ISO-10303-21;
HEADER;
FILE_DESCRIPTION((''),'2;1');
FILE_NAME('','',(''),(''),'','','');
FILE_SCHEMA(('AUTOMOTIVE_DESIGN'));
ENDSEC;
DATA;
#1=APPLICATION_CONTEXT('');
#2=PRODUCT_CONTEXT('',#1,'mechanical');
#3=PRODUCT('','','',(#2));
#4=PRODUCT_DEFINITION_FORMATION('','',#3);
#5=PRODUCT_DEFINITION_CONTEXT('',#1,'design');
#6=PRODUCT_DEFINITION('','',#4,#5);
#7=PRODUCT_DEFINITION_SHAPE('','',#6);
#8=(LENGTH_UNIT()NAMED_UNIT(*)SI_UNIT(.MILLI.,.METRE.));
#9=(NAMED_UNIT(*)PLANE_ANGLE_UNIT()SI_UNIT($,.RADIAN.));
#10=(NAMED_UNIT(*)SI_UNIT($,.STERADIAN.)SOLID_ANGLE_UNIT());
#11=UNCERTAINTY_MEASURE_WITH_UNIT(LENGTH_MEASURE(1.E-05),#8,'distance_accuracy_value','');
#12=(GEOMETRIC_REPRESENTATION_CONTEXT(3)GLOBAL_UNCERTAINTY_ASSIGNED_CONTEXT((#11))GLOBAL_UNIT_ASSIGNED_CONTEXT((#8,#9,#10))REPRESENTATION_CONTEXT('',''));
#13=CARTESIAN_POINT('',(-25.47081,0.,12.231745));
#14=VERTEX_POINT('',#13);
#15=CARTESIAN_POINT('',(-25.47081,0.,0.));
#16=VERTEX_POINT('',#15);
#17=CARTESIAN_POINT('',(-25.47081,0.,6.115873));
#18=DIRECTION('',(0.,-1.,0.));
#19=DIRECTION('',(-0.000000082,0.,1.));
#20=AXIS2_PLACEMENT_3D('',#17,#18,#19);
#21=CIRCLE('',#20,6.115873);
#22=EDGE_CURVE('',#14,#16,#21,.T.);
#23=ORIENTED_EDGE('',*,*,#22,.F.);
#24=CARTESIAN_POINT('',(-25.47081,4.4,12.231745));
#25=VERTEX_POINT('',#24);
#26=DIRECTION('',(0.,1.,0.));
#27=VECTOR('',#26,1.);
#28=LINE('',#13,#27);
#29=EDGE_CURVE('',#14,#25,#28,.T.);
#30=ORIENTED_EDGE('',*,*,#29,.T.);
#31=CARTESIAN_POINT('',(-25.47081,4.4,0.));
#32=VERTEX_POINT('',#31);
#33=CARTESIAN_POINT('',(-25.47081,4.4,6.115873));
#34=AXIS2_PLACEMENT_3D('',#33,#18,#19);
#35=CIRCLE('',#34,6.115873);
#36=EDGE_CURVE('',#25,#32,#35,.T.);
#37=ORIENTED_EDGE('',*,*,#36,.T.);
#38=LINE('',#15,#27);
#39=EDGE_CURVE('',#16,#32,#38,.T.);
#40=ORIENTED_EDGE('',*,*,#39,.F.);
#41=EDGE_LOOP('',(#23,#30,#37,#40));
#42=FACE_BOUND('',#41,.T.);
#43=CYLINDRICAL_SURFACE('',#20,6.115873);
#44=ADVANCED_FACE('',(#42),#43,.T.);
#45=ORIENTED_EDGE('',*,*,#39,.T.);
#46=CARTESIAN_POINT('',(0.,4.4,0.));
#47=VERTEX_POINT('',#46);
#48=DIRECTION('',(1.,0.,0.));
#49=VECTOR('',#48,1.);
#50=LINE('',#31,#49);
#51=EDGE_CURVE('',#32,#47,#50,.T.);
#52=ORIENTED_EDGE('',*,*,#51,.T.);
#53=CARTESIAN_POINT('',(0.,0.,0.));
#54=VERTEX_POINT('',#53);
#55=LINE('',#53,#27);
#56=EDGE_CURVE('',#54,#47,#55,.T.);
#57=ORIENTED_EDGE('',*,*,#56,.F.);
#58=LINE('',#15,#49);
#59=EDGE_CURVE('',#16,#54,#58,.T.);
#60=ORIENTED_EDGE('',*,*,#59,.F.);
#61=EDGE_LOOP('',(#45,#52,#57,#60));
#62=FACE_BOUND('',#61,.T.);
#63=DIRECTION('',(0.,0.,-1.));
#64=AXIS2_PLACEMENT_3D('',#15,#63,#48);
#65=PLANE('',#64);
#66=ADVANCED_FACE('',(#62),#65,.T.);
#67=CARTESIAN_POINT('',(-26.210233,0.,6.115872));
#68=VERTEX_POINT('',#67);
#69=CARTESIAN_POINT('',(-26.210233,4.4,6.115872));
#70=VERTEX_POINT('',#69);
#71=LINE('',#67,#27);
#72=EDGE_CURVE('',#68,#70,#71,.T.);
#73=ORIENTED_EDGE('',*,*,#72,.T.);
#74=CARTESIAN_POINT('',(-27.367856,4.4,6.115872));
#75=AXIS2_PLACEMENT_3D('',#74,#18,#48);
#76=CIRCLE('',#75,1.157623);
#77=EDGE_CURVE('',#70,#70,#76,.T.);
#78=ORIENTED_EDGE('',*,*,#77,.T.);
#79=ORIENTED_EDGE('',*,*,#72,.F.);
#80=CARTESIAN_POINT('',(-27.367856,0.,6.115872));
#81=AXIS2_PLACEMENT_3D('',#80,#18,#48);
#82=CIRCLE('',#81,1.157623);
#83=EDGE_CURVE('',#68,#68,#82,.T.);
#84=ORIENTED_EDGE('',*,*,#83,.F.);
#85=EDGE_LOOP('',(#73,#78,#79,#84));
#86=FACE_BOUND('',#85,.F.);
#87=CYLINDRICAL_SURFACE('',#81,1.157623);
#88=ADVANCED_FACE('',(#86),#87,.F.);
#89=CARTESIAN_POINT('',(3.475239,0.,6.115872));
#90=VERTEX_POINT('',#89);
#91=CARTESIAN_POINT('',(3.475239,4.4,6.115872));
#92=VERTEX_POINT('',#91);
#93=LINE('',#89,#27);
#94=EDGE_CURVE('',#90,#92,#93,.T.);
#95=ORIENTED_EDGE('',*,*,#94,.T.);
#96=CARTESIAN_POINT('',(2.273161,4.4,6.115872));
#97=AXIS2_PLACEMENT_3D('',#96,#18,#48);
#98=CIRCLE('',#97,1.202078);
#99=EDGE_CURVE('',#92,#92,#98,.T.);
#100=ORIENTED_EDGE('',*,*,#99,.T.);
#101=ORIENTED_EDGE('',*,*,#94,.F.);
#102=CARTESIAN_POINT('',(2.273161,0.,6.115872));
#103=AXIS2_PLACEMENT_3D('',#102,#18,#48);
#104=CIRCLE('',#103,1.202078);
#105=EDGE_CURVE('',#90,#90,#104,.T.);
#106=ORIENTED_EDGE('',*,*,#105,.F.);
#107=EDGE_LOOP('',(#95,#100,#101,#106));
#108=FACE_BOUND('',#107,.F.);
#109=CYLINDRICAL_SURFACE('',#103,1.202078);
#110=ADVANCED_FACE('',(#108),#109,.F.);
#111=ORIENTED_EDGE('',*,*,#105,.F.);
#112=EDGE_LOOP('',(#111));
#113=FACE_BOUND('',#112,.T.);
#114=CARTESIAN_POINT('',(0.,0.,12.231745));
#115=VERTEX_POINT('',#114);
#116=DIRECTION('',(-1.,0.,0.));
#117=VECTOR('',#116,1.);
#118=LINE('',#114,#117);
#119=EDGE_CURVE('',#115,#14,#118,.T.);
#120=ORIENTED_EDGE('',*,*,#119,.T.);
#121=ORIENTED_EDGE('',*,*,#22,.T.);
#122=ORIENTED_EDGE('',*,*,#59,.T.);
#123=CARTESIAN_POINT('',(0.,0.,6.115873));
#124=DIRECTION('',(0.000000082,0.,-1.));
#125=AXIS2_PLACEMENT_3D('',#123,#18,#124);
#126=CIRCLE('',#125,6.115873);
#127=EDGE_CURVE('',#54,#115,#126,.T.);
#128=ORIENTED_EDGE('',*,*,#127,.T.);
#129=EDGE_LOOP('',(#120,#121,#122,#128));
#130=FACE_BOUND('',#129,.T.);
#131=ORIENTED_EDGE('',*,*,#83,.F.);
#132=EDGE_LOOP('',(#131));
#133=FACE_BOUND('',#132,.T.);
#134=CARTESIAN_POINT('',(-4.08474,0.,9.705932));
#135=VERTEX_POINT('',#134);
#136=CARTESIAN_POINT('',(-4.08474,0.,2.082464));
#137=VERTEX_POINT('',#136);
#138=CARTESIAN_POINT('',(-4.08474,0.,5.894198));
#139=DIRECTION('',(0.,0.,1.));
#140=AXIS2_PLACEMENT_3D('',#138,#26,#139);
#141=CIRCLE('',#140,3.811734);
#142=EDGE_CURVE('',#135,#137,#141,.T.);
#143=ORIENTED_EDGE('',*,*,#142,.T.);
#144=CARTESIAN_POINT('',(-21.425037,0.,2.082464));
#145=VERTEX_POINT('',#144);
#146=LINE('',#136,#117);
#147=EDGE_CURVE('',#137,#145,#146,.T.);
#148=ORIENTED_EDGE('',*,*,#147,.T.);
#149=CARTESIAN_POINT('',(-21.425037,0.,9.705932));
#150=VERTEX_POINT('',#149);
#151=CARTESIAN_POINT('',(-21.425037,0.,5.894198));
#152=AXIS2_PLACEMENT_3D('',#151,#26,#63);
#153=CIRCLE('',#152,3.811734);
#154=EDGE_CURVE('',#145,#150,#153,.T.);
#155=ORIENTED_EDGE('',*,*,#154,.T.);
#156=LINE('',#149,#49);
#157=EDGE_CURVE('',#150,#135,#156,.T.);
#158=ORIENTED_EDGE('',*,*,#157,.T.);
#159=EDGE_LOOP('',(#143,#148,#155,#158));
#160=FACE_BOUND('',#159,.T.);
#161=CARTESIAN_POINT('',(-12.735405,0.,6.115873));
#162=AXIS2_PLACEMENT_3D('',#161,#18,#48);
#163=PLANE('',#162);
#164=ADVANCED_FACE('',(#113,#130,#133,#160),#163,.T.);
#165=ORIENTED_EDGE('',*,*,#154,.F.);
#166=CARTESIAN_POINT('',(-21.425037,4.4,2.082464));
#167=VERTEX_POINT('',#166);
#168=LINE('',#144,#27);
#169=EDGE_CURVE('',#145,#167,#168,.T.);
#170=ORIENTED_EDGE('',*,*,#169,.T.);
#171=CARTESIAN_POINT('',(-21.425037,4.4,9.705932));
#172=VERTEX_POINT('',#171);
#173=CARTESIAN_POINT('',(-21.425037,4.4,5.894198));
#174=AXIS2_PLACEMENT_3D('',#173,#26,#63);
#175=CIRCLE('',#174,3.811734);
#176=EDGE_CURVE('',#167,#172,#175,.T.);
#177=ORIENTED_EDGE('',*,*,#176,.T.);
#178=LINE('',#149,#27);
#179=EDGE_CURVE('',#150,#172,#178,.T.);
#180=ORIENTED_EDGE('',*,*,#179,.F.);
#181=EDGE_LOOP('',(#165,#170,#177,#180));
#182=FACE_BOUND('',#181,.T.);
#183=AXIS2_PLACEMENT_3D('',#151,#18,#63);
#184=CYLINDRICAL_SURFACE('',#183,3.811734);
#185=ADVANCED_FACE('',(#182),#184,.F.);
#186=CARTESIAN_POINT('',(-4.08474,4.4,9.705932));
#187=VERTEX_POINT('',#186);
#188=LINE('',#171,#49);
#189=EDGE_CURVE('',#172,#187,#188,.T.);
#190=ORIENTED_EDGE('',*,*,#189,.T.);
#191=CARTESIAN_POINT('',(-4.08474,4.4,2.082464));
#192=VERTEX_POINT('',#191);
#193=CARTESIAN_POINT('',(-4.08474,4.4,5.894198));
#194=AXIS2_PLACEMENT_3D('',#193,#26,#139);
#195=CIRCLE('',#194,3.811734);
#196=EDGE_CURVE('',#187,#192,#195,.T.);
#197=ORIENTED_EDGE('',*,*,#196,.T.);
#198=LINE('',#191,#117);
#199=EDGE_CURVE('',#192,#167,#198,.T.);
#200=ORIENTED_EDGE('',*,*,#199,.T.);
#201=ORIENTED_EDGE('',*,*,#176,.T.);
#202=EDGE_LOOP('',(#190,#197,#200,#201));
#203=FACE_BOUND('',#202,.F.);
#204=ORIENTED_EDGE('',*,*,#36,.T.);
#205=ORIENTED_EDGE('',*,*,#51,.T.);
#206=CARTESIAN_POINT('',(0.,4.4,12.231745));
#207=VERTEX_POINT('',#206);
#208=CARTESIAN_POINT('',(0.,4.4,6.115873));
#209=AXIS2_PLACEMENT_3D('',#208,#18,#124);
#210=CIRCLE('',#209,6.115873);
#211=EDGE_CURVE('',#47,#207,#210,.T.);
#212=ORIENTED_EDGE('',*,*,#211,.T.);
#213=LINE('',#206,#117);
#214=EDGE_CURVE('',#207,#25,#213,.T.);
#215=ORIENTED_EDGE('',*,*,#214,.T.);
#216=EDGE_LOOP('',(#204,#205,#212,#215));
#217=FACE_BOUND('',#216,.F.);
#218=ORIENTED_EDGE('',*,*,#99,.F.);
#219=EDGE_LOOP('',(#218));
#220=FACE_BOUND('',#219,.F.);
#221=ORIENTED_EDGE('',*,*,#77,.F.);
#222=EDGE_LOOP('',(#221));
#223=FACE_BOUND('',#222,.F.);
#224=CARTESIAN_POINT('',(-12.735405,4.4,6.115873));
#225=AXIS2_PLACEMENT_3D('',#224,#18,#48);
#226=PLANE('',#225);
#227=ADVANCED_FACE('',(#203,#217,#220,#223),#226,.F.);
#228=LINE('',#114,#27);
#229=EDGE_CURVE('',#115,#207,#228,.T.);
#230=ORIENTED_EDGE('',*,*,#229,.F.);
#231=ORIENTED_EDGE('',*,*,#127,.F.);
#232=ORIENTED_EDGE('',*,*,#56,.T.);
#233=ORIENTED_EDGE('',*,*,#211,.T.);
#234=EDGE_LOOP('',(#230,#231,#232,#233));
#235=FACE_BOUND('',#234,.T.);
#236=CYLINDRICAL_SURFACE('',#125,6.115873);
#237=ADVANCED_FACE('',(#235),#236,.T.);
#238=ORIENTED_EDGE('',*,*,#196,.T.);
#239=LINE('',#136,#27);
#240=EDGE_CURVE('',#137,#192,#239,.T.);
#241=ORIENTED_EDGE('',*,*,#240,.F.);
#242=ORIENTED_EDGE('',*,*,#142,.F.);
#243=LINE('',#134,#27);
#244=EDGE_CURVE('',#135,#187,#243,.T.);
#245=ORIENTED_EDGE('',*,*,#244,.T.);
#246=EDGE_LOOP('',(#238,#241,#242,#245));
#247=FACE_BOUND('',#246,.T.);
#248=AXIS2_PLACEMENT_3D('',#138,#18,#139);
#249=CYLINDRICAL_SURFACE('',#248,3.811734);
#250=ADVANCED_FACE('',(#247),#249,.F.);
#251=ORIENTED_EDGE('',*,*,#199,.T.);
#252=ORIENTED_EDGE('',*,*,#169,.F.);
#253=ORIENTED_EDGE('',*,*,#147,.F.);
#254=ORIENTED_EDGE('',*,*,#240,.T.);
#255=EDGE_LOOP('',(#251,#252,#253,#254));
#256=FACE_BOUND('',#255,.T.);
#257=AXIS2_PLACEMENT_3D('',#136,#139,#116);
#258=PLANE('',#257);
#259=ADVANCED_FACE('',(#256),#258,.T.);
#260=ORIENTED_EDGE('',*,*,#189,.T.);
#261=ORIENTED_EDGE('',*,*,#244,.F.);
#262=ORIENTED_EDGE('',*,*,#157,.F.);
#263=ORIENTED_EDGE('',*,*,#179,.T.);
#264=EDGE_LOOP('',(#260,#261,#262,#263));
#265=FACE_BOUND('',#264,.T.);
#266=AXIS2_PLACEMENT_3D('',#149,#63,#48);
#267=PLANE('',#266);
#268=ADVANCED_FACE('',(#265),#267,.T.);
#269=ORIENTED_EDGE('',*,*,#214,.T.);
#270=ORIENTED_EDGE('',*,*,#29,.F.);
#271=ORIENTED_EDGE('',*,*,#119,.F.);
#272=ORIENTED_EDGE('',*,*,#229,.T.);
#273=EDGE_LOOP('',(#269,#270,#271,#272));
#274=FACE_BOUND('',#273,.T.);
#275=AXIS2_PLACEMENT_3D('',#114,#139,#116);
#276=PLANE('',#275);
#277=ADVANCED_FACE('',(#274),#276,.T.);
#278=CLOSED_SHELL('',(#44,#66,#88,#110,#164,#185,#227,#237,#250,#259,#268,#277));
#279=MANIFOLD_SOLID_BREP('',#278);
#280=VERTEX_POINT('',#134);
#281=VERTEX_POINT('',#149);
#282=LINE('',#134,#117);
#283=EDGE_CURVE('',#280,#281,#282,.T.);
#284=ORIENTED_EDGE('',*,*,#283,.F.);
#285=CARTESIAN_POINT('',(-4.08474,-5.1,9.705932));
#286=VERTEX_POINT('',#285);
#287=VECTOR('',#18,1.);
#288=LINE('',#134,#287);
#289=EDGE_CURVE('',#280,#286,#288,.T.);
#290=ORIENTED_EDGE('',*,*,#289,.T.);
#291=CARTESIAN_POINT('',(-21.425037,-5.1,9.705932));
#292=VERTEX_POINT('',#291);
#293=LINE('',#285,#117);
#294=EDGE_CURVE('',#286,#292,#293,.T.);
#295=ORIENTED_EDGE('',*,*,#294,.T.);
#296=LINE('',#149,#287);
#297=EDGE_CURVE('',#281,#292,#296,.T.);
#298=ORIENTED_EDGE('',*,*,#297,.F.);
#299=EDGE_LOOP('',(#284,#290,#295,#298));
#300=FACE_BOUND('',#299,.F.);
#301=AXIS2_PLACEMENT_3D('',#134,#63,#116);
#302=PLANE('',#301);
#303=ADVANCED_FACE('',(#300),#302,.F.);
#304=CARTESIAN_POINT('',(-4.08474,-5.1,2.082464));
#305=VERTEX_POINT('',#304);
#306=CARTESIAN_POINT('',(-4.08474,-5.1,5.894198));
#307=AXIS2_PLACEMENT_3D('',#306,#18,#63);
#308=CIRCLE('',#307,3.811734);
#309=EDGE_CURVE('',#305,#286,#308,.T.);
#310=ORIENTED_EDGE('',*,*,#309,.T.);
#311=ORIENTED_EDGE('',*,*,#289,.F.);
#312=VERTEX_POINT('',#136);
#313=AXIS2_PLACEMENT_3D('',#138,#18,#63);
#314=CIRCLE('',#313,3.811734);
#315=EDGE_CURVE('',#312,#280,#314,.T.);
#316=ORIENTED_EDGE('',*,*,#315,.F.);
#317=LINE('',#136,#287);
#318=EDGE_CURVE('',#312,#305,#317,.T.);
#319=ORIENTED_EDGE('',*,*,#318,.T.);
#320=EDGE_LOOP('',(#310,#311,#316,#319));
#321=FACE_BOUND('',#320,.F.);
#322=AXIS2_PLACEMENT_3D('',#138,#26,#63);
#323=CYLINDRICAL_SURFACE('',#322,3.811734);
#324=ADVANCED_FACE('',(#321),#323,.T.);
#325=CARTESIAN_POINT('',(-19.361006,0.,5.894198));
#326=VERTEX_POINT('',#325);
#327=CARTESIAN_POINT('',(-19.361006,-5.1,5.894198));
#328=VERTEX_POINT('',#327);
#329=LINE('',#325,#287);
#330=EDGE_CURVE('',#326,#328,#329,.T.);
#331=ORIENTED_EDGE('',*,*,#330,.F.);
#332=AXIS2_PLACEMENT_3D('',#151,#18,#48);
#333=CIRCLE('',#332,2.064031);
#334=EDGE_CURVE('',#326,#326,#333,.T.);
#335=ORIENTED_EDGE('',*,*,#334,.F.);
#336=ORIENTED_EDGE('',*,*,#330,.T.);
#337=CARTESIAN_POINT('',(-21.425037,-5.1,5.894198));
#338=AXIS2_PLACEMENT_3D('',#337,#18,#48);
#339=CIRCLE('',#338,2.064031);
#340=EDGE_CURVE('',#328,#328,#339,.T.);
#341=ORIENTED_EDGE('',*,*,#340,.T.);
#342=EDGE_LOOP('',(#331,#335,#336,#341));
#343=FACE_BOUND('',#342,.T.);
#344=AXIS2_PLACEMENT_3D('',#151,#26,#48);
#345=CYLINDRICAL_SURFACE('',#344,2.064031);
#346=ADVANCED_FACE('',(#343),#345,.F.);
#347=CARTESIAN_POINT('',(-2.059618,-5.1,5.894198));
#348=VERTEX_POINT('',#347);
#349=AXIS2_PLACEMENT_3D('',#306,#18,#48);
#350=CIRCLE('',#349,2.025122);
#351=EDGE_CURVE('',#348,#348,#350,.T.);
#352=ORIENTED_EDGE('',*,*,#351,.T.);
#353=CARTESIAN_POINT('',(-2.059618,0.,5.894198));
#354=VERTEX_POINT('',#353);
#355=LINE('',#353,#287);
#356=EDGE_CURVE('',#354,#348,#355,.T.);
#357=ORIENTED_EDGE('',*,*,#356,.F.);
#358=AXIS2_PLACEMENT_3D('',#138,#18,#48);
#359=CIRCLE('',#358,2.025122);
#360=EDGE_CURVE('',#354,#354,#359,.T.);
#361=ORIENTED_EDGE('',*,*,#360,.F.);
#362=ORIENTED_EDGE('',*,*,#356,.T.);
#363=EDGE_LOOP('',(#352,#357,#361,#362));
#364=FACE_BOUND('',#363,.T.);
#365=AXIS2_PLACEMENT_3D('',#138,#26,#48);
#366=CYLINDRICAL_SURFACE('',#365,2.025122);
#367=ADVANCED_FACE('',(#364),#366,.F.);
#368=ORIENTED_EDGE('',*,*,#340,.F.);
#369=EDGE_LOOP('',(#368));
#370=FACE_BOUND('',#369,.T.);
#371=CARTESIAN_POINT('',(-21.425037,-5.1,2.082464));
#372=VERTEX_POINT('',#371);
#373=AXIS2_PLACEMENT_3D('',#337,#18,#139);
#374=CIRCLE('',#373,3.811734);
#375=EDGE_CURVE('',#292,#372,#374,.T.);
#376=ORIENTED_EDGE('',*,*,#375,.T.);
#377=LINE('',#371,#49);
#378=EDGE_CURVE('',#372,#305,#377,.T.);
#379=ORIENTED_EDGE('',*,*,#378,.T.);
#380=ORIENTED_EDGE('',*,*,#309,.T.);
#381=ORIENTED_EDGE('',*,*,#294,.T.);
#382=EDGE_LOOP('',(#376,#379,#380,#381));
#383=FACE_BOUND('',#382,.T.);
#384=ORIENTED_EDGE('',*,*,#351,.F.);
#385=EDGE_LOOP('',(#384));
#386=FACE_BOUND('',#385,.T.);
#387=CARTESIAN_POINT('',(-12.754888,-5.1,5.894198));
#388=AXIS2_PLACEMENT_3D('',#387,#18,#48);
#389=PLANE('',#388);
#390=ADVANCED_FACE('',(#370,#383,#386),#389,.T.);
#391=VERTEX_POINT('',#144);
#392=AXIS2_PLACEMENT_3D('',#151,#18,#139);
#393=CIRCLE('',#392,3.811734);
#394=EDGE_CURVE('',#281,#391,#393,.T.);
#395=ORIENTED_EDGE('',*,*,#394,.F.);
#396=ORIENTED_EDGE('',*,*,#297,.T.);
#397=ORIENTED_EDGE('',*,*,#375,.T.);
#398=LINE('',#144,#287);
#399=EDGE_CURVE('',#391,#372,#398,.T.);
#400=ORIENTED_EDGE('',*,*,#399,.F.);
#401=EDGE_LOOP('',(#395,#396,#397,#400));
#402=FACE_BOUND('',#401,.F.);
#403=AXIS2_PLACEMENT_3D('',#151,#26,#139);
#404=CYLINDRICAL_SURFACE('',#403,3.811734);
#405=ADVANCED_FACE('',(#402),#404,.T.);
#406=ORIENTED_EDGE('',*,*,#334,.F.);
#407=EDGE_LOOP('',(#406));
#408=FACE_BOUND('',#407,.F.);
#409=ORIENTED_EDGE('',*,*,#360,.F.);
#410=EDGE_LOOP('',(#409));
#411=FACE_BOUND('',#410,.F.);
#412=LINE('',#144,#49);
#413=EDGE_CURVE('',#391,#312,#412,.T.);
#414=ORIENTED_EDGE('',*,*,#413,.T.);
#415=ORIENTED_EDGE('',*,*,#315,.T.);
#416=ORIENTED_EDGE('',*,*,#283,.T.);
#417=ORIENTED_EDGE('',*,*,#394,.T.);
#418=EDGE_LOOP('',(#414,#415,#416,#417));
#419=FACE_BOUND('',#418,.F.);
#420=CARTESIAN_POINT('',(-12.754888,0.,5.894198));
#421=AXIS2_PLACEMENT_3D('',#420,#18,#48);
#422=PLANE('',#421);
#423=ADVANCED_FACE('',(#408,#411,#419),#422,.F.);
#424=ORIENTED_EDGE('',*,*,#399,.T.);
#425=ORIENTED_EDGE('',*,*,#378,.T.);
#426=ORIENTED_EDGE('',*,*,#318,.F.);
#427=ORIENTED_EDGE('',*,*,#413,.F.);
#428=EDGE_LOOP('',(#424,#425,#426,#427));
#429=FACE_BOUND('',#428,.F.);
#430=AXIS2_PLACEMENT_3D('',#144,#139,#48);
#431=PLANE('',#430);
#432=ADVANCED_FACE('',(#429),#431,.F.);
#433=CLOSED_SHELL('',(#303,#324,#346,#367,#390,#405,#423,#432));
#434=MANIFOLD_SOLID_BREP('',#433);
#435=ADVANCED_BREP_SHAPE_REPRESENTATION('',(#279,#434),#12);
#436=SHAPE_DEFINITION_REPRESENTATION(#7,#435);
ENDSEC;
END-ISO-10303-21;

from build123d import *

# Parameters (mm, degrees)
F0_R     = 1.157623
F0_R_2   = 1.202078
F1_DEPTH = 4.4
F0_R_3   = 2.064031
F0_R_4   = 2.025122
F2_DEPTH = 5.1


with BuildPart() as f1:
    # F0 (on Front) → F1 (new body)
    with BuildSketch(Plane.XZ):
        with BuildLine():
            Line((-25.47081, 0), (0, 0))
            ThreePointArc((0, 0), (6.115872, 6.115872), (0, 12.231745))
            Line((0, 12.231745), (-25.47081, 12.231745))
            ThreePointArc((-25.47081, 12.231745), (-31.586682, 6.115872), (-25.47081, 0))
        make_face()
        with Locations((-27.367856, 6.115872)):
            Circle(F0_R, mode=Mode.SUBTRACT)
        with BuildLine():
            Line((-4.08474, 2.082464), (-21.425037, 2.082464))
            ThreePointArc((-21.425037, 2.082464), (-25.236771, 5.894198), (-21.425037, 9.705932))
            Line((-21.425037, 9.705932), (-4.08474, 9.705932))
            ThreePointArc((-4.08474, 9.705932), (-0.273006, 5.894198), (-4.08474, 2.082464))
        make_face(mode=Mode.SUBTRACT)
        with Locations((2.273161, 6.115872)):
            Circle(F0_R_2, mode=Mode.SUBTRACT)
    extrude(amount=-F1_DEPTH)


with BuildPart() as f2:
    # F0 (on Front) → F2 (new body)
    with BuildSketch(Plane.XZ):
        with BuildLine():
            ThreePointArc((-21.425037, 9.705932), (-25.236771, 5.894198), (-21.425037, 2.082464))
            Line((-21.425037, 2.082464), (-4.08474, 2.082464))
            ThreePointArc((-4.08474, 2.082464), (-0.273006, 5.894198), (-4.08474, 9.705932))
            Line((-4.08474, 9.705932), (-21.425037, 9.705932))
        make_face()
        with Locations((-21.425037, 5.894198)):
            Circle(F0_R_3, mode=Mode.SUBTRACT)
        with Locations((-4.08474, 5.894198)):
            Circle(F0_R_4, mode=Mode.SUBTRACT)
    extrude(amount=F2_DEPTH)


solid = Compound([f1.part, f2.part])
